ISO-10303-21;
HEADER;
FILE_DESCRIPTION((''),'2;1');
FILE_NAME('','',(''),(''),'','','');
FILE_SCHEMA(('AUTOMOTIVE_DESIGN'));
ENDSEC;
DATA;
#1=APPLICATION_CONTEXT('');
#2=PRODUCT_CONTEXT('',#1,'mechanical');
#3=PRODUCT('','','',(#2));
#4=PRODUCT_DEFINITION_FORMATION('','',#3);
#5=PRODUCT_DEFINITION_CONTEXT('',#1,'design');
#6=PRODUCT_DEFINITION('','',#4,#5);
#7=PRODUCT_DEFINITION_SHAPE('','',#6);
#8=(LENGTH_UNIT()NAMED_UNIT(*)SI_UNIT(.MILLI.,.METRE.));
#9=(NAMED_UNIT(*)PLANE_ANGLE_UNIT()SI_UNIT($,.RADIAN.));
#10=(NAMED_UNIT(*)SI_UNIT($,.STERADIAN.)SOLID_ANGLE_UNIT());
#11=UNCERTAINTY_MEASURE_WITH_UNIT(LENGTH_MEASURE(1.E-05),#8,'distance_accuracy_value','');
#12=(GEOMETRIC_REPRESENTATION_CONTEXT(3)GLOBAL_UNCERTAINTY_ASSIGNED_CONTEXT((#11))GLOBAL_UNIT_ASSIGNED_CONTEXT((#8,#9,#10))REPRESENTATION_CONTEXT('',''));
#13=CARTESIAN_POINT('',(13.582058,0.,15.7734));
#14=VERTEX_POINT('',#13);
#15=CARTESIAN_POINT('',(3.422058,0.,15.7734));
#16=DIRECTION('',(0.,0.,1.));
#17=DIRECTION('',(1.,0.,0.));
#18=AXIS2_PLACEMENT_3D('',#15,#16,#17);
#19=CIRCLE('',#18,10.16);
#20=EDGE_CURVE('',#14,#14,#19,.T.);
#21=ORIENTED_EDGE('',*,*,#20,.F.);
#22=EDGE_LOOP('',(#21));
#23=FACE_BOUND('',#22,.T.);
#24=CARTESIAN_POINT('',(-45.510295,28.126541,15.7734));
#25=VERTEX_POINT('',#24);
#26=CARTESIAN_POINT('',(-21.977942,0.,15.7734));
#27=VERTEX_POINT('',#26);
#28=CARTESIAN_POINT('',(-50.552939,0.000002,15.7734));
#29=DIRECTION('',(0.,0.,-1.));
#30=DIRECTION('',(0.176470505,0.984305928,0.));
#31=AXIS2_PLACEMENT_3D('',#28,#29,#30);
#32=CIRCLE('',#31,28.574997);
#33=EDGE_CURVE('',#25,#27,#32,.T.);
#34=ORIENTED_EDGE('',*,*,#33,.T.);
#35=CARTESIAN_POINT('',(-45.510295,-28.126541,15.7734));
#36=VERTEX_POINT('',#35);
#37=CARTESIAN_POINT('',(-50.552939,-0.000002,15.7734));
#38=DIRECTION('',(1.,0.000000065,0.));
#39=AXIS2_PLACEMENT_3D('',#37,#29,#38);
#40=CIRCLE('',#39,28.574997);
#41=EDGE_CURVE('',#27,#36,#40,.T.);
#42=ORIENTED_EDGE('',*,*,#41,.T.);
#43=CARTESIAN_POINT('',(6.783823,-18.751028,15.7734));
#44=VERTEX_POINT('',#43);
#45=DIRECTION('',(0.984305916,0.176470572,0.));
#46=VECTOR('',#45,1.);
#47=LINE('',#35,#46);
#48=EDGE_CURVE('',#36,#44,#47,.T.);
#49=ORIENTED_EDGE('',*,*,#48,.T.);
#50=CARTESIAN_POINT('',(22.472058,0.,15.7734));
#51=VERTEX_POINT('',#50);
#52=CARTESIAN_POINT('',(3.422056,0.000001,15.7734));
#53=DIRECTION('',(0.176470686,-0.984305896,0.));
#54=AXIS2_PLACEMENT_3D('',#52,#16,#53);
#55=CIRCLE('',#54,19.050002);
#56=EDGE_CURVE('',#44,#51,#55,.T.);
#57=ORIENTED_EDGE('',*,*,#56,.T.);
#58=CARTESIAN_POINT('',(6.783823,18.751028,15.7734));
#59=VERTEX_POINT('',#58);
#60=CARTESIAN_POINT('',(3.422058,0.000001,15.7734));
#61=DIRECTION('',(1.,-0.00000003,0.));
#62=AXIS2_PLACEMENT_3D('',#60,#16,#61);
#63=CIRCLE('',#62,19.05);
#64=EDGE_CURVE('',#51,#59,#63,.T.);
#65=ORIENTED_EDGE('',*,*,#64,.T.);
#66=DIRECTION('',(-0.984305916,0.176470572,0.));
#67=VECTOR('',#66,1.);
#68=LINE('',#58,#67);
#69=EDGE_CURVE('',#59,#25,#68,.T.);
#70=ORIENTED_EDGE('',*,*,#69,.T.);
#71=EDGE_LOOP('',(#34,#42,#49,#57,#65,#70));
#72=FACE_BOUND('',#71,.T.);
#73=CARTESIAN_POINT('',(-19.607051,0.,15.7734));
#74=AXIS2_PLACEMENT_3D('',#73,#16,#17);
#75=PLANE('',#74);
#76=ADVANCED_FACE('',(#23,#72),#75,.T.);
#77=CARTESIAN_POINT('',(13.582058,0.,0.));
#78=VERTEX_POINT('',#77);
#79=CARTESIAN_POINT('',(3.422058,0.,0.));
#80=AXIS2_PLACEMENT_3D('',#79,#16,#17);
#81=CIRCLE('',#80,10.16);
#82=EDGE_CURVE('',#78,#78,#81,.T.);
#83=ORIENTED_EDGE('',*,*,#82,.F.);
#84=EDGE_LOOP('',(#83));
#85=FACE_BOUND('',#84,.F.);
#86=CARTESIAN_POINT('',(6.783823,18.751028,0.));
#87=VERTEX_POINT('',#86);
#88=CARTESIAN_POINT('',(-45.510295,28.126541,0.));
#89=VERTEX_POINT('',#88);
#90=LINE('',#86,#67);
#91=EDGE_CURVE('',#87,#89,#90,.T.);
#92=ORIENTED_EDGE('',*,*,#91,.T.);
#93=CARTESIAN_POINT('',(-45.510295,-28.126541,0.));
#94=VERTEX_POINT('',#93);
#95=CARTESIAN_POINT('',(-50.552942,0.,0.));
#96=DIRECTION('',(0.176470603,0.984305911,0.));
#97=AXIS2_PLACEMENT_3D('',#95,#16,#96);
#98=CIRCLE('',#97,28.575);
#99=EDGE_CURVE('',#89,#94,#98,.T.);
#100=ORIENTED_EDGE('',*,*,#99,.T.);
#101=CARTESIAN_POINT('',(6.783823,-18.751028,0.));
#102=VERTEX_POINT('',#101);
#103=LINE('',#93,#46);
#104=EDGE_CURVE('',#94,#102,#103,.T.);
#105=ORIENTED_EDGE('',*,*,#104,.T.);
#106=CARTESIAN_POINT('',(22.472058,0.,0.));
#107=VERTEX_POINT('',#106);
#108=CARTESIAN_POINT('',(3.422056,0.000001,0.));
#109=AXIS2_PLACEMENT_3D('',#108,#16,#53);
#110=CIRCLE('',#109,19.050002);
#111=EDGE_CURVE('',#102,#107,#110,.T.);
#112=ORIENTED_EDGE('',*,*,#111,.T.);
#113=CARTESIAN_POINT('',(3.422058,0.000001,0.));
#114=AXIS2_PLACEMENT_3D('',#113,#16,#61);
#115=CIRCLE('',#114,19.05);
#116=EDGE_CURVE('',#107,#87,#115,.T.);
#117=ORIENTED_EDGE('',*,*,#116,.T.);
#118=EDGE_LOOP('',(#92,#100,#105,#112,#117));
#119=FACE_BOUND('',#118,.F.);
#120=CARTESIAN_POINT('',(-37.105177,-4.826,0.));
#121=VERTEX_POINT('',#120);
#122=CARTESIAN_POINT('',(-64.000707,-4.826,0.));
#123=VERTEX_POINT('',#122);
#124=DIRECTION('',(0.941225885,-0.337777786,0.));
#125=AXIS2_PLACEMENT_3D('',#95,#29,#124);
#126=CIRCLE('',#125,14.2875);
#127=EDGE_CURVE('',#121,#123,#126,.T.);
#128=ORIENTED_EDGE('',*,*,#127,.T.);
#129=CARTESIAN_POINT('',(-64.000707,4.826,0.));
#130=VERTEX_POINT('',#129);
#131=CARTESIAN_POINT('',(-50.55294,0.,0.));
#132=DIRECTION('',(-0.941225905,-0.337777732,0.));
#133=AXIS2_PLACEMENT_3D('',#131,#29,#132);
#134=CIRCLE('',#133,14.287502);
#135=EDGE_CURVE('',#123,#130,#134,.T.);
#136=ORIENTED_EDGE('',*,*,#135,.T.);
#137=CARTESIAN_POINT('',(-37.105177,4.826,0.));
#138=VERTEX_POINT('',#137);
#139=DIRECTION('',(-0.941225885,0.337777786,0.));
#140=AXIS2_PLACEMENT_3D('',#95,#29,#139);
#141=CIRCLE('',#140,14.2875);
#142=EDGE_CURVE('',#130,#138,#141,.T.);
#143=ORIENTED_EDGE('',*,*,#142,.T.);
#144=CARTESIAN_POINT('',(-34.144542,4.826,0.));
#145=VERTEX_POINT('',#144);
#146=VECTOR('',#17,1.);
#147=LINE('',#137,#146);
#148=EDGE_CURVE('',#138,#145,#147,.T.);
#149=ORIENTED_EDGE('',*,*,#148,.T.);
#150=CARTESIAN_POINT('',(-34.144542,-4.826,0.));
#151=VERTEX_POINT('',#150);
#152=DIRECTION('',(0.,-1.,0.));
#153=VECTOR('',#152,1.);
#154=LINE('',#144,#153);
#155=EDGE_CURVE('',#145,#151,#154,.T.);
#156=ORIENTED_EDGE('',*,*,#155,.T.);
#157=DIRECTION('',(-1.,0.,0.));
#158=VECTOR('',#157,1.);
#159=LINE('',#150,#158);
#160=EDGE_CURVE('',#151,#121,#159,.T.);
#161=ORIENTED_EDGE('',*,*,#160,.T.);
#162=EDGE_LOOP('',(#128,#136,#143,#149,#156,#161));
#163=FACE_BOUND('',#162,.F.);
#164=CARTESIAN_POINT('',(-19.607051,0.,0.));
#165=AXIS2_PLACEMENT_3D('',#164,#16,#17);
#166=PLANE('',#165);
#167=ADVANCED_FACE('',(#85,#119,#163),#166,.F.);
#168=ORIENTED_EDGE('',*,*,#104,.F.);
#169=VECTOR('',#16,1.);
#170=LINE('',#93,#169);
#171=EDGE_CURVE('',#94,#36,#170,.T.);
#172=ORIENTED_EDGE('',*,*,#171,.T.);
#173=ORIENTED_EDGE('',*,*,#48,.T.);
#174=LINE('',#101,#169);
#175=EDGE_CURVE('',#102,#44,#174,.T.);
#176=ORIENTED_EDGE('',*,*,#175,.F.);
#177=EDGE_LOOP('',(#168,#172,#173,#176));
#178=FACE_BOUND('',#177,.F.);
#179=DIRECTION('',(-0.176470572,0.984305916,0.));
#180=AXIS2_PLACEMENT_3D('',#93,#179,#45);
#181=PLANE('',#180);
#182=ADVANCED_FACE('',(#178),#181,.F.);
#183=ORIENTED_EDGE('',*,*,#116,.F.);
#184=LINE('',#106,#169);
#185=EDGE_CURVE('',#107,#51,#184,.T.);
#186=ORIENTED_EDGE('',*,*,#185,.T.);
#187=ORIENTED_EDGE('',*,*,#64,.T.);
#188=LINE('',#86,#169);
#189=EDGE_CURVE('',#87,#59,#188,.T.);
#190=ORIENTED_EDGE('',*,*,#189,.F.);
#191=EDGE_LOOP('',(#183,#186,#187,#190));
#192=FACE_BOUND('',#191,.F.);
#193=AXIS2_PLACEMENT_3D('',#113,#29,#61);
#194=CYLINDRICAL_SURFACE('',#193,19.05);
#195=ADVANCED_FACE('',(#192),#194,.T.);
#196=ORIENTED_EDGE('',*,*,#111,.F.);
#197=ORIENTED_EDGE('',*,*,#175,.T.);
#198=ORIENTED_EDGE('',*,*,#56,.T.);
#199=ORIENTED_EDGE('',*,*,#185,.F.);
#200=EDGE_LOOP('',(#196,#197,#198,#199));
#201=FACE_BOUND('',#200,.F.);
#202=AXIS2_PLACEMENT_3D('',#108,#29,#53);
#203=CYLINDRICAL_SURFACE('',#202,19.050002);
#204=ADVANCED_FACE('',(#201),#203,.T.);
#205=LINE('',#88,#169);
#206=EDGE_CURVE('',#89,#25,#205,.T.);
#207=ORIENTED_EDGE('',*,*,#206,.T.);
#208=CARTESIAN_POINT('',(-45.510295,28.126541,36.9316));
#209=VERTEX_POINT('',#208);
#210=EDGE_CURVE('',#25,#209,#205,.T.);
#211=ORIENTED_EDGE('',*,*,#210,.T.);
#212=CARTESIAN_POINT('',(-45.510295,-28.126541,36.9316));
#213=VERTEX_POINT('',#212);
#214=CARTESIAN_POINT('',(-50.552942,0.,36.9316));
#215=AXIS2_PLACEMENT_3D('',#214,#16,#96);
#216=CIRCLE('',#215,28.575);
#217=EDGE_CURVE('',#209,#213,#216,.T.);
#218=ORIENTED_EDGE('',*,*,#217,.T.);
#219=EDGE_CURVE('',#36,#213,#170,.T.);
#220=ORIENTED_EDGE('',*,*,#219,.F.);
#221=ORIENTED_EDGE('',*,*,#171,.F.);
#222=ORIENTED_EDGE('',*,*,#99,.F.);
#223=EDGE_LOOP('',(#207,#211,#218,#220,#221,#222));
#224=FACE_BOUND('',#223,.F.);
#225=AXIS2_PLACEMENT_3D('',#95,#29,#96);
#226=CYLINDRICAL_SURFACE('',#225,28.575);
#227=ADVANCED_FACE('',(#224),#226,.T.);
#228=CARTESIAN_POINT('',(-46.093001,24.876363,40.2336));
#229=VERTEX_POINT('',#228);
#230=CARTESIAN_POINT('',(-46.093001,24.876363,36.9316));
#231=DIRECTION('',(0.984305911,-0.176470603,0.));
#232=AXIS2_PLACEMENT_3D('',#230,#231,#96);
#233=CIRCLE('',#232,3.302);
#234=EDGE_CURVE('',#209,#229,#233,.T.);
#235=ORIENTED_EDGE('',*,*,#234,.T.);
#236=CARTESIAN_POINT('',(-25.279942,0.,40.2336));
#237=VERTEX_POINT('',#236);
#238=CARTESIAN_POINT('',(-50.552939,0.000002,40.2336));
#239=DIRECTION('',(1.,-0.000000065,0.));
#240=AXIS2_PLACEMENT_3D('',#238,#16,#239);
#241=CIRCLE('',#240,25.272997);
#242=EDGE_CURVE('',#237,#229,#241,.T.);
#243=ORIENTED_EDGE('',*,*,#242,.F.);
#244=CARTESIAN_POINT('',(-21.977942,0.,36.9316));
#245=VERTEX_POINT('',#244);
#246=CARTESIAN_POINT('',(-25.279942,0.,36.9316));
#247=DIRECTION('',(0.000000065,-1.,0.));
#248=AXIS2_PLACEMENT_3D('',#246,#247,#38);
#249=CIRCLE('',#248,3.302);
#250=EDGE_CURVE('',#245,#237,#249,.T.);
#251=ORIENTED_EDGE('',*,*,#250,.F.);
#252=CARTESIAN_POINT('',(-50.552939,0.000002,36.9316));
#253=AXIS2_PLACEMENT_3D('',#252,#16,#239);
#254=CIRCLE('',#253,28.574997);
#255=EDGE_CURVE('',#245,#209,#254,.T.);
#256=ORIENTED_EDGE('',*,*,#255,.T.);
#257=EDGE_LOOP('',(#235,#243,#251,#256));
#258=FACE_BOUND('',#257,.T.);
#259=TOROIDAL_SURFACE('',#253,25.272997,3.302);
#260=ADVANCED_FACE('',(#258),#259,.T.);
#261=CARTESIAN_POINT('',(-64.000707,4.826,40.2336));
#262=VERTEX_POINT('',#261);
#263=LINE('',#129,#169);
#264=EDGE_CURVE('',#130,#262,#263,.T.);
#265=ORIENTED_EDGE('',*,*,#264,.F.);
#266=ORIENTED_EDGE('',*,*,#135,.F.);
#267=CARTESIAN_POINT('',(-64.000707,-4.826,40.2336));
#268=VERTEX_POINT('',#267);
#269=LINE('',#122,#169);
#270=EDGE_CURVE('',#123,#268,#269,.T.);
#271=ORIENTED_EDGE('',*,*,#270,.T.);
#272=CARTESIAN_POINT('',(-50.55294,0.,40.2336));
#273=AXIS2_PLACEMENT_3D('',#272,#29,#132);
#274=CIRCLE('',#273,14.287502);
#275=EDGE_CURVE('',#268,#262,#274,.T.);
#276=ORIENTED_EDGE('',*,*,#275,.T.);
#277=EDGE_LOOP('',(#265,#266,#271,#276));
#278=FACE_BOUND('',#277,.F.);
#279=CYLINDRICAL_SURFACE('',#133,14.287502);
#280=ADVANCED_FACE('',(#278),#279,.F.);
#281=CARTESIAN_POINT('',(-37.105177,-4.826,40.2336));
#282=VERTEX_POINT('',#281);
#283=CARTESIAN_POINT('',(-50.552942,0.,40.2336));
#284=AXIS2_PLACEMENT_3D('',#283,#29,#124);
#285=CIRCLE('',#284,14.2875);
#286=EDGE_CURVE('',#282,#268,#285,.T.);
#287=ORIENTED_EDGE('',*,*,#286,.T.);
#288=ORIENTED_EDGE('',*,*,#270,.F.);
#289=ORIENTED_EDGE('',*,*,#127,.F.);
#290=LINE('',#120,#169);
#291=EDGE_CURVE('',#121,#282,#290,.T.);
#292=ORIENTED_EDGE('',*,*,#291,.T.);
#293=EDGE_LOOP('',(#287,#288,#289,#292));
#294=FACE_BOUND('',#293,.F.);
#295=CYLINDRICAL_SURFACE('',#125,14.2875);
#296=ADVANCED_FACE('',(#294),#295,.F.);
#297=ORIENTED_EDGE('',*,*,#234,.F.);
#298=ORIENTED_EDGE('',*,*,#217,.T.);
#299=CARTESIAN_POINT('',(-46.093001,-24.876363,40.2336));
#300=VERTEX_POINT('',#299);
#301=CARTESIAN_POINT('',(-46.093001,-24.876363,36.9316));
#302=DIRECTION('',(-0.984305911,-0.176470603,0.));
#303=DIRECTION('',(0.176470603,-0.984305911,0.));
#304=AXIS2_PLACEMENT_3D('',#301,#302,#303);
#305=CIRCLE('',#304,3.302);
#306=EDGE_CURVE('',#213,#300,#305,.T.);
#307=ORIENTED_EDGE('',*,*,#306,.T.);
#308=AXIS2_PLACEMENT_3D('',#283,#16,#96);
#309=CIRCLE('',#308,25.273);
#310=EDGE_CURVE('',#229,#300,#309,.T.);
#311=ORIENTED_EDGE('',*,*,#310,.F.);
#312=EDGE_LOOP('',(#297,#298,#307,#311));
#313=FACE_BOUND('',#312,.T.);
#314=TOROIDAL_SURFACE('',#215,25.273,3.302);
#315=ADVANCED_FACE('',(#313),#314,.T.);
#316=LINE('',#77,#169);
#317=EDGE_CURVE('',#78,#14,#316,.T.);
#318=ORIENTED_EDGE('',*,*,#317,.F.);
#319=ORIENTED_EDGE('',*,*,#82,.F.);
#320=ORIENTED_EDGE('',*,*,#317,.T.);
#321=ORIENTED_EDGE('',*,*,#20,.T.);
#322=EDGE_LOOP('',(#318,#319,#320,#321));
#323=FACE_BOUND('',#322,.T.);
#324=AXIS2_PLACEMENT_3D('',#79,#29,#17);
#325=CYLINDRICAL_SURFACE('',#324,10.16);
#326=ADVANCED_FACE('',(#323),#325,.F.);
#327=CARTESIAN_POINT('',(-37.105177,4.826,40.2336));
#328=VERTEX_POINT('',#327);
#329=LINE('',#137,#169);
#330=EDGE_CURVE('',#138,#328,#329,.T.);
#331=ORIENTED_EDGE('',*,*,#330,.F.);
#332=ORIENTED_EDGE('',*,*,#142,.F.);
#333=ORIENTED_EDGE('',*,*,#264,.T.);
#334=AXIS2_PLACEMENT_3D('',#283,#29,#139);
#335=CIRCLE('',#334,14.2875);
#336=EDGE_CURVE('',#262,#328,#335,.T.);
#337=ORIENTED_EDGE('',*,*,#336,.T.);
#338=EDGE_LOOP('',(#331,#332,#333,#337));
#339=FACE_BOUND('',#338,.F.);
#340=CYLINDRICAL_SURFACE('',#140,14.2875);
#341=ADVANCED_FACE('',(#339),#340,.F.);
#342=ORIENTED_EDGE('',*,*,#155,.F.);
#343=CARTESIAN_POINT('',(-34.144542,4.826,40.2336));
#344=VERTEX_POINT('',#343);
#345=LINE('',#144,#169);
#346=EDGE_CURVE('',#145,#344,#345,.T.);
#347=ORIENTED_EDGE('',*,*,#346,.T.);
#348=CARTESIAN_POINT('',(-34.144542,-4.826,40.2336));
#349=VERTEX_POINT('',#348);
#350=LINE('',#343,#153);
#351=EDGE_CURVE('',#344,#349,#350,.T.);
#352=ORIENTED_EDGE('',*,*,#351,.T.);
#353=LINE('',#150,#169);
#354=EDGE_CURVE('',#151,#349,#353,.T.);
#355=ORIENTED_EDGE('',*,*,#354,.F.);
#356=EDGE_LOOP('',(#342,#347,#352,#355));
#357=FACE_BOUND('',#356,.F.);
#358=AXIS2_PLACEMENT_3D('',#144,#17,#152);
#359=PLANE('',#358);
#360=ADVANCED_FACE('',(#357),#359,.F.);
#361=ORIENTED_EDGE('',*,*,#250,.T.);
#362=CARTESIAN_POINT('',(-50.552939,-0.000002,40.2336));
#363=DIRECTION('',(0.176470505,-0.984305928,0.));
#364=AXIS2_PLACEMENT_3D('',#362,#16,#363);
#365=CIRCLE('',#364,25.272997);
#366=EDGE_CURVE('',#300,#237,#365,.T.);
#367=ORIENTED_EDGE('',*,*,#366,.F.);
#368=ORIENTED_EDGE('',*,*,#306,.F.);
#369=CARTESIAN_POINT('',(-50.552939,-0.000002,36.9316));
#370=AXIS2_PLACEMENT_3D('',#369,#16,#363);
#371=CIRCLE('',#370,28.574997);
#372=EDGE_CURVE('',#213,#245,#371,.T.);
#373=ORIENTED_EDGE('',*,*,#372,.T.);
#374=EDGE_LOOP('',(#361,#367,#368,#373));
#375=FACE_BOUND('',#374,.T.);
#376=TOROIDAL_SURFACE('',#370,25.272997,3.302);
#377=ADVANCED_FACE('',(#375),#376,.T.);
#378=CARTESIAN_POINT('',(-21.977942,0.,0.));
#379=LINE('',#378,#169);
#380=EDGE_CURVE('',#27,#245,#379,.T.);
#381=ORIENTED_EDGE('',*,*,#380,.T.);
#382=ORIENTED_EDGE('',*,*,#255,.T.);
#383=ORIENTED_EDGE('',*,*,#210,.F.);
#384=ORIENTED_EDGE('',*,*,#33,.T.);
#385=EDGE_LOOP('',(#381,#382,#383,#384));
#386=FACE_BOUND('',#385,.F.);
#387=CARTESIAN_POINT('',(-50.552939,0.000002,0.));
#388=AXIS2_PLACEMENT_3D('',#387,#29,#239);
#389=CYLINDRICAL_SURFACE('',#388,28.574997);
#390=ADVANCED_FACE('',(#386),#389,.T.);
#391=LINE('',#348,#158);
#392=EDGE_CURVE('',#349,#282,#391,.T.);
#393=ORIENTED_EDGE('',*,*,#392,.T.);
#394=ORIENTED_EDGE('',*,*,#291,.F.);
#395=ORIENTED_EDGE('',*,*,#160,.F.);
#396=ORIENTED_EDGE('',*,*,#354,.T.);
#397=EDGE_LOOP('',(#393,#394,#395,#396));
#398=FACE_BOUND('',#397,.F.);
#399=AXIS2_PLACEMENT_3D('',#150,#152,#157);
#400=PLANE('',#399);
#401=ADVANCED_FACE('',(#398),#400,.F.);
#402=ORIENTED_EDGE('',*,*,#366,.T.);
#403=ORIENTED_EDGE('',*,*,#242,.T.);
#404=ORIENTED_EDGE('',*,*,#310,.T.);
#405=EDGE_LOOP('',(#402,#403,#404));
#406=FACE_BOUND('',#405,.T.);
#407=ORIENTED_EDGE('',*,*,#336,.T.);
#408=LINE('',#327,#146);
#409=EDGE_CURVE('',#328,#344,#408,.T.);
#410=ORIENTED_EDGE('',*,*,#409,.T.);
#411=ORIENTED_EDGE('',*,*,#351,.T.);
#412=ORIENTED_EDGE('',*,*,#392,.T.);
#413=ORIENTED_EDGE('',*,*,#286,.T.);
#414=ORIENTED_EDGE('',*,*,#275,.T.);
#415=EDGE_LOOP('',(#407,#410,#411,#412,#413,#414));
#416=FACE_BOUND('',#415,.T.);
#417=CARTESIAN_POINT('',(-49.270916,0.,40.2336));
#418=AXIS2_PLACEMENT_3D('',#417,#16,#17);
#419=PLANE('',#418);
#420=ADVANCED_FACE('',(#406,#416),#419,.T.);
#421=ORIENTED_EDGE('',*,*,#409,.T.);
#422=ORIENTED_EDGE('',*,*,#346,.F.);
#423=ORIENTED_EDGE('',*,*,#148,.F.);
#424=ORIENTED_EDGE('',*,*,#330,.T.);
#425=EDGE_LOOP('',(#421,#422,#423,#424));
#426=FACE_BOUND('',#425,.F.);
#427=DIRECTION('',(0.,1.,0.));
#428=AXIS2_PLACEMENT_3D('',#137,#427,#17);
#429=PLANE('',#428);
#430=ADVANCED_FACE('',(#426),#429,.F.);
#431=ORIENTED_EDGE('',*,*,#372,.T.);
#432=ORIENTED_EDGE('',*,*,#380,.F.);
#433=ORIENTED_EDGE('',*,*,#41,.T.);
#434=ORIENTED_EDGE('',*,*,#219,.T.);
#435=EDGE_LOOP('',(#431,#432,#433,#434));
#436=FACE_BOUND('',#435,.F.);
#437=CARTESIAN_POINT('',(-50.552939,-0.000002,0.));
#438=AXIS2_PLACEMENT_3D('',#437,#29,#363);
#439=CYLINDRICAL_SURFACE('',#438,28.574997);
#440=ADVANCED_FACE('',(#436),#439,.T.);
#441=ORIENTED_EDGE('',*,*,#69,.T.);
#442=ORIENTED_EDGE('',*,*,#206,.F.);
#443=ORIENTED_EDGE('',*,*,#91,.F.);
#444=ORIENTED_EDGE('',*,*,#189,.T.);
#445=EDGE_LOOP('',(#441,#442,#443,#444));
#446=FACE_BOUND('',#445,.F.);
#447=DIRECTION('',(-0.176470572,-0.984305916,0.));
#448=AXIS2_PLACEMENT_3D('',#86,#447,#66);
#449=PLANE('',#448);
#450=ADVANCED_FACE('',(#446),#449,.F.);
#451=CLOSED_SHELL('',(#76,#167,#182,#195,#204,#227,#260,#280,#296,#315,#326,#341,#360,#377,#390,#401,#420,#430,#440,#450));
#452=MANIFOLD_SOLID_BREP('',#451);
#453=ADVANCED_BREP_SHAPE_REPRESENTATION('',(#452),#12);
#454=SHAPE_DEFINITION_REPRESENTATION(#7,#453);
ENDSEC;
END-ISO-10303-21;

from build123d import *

# Parameters (mm, degrees)
F1_DEPTH = 40.2336
F0_R     = 10.16
F2_DEPTH = 15.7734
F3_R     = 3.302


with BuildPart() as f1:
    # F0 (on Top) → F1 (new body)
    with BuildSketch(Plane.XY):
        with BuildLine():
            ThreePointArc((-45.510295, 28.126541), (-79.127942, 0), (-45.510295, -28.126541))
            ThreePointArc((-45.510295, -28.126541), (-28.636917, -18.336262), (-21.977942, 0))
            ThreePointArc((-21.977942, 0), (-28.636917, 18.336262), (-45.510295, 28.126541))
        make_face()
        with BuildLine():
            ThreePointArc((-64.000707, 4.826), (-50.552942, 14.2875), (-37.105177, 4.826))
            Line((-37.105177, 4.826), (-34.144542, 4.826))
            Line((-34.144542, 4.826), (-34.144542, -4.826))
            Line((-34.144542, -4.826), (-37.105177, -4.826))
            ThreePointArc((-37.105177, -4.826), (-50.552942, -14.2875), (-64.000707, -4.826))
            ThreePointArc((-64.000707, -4.826), (-64.840442, 0), (-64.000707, 4.826))
        make_face(mode=Mode.SUBTRACT)
    extrude(amount=F1_DEPTH)

    # F0 (on Top) → F2 (join)
    with BuildSketch(Plane.XY):
        with BuildLine():
            Line((-45.510295, -28.126541), (6.783823, -18.751028))
            ThreePointArc((6.783823, -18.751028), (-15.627942, 0), (6.783823, 18.751028))
            Line((6.783823, 18.751028), (-45.510295, 28.126541))
            ThreePointArc((-45.510295, 28.126541), (-28.636917, 18.336262), (-21.977942, 0))
            ThreePointArc((-21.977942, 0), (-28.636917, -18.336262), (-45.510295, -28.126541))
        make_face()
        with BuildLine():
            ThreePointArc((6.783823, 18.751028), (-15.627942, 0), (6.783823, -18.751028))
            ThreePointArc((6.783823, -18.751028), (18.032741, -12.224174), (22.472058, 0))
            ThreePointArc((22.472058, 0), (18.032741, 12.224175), (6.783823, 18.751028))
        make_face()
        with Locations((3.422058, 0)):
            Circle(F0_R, mode=Mode.SUBTRACT)
    extrude(amount=F2_DEPTH)

    # F3
    f3_edges = [f1.edges().sort_by_distance(p)[0] for p in [
        (-55.595589, 28.126541, 40.2336),
    ]]
    fillet(f3_edges, radius=F3_R)


solid = f1.part
